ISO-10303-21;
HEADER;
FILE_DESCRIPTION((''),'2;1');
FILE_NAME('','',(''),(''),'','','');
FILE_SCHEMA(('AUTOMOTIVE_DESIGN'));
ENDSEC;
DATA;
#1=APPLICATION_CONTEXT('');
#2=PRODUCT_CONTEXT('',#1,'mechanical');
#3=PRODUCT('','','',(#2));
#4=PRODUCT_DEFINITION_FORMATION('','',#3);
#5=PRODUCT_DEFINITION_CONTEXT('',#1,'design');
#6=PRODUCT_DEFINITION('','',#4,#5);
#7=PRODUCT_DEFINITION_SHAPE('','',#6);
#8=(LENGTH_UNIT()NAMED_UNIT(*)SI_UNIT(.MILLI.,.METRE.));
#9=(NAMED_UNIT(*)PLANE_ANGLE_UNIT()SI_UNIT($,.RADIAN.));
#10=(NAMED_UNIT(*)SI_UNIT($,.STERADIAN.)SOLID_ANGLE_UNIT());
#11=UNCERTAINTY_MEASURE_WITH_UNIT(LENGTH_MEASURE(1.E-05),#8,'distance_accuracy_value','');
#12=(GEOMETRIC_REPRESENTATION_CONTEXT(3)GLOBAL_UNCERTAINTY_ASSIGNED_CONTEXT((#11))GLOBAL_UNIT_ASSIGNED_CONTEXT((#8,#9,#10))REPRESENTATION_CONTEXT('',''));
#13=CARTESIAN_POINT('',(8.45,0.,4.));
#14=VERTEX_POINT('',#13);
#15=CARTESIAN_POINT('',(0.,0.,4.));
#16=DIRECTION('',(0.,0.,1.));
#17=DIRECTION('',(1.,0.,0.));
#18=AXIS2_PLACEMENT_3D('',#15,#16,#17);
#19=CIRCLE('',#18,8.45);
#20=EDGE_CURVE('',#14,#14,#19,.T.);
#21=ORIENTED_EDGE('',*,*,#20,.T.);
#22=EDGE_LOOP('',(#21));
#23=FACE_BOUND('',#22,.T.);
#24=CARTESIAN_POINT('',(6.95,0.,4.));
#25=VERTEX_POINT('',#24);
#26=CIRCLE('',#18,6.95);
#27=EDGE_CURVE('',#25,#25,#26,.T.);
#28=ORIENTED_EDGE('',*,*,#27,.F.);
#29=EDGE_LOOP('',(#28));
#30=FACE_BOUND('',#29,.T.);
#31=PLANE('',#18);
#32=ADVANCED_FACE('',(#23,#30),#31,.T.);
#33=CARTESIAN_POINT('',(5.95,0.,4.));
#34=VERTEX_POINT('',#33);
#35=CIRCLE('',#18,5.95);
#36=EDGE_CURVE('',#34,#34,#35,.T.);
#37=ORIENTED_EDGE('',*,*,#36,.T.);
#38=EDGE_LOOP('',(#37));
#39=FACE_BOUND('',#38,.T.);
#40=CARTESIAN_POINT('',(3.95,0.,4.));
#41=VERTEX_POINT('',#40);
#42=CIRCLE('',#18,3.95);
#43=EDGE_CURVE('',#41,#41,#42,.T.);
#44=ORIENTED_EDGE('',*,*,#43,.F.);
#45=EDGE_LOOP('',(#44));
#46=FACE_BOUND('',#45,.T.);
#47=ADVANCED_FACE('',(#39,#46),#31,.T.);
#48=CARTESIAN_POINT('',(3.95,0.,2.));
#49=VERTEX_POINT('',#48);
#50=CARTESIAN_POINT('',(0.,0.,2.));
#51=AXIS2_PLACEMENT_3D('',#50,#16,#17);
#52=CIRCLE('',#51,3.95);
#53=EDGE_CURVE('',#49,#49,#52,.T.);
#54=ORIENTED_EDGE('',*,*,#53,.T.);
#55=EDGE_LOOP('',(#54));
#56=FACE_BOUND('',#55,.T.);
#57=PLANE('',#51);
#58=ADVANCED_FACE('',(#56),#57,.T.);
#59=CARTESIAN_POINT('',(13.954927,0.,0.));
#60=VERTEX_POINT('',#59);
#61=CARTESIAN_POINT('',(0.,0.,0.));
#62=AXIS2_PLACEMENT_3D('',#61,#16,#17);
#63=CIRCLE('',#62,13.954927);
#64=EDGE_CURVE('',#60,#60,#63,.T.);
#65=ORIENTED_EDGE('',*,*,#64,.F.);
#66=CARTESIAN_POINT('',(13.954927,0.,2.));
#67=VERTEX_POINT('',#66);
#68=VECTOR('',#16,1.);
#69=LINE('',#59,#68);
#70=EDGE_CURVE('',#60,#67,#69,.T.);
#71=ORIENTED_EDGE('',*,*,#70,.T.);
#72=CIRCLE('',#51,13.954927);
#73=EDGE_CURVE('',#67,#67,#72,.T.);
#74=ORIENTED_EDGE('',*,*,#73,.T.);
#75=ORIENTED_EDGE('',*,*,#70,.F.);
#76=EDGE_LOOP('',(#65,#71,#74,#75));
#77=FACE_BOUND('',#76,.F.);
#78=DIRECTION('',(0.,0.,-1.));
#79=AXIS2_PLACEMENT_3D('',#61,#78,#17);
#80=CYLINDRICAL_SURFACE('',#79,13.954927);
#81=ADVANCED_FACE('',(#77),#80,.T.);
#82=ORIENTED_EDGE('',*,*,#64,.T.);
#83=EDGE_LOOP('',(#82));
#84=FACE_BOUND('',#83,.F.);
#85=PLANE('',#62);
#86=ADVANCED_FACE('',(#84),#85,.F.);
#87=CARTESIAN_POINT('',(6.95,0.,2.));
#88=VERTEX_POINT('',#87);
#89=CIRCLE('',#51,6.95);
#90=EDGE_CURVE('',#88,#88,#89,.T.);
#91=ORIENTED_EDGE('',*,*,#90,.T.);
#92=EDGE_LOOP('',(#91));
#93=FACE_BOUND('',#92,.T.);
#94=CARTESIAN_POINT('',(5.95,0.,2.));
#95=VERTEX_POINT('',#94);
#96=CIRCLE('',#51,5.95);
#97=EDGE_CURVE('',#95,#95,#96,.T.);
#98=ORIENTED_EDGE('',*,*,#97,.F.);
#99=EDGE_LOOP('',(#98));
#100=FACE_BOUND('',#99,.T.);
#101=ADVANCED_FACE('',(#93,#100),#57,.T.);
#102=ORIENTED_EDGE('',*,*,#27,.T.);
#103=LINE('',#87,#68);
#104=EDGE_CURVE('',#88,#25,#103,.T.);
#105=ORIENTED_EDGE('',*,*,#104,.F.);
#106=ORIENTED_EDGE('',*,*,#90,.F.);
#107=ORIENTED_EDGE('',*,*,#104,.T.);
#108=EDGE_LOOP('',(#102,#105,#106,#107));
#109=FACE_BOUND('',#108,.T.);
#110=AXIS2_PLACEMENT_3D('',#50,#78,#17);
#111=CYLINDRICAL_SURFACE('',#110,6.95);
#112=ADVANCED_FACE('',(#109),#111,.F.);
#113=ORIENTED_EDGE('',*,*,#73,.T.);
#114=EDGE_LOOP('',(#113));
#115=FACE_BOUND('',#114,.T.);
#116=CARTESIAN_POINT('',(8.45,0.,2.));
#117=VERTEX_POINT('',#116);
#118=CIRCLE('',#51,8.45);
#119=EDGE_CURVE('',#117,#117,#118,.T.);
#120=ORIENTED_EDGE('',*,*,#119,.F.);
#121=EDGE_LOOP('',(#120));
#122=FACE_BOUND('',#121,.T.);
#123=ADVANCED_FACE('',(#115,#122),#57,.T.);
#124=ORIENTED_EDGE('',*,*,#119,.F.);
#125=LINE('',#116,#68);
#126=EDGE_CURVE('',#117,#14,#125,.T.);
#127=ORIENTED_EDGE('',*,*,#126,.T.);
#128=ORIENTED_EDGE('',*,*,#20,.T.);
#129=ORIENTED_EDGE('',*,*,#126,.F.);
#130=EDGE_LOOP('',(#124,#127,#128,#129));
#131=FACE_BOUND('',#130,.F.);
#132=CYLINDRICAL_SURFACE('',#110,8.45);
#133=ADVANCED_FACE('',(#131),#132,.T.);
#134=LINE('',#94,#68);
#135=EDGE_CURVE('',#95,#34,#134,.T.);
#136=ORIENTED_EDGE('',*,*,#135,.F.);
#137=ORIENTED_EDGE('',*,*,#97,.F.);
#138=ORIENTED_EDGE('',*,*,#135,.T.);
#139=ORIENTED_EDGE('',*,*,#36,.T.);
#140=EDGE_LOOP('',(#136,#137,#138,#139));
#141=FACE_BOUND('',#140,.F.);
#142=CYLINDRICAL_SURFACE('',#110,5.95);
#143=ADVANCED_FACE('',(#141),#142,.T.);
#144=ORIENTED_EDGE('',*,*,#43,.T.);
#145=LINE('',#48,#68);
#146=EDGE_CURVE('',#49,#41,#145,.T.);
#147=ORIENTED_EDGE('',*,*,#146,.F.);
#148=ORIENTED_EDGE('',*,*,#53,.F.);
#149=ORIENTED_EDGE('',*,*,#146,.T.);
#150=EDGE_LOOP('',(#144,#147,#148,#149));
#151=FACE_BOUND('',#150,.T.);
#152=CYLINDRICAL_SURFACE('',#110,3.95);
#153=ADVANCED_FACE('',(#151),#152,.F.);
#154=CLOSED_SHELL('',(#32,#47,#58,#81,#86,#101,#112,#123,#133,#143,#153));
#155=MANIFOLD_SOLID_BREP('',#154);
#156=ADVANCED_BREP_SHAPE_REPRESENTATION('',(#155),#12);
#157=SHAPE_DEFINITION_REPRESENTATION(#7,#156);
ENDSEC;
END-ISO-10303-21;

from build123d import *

# Parameters (mm, degrees)
F0_R     = 13.954927
F1_DEPTH = 2
F2_R     = 5.95
F2_R_2   = 3.95
F3_DEPTH = 2
F2_R_3   = 8.45
F2_R_4   = 6.95
F4_DEPTH = 2


with BuildPart() as f1:
    # F0 (on Top) → F1 (new body)
    with BuildSketch(Plane.XY):
        Circle(F0_R)
    extrude(amount=F1_DEPTH)

    # F2 (on face) → F3 (join)
    with BuildSketch(Plane.XY.offset(2)):
        Circle(F2_R)
        Circle(F2_R_2, mode=Mode.SUBTRACT)
    extrude(amount=F3_DEPTH)

    # F2 (on face) → F4 (join)
    with BuildSketch(Plane.XY.offset(2)):
        Circle(F2_R_3)
        Circle(F2_R_4, mode=Mode.SUBTRACT)
    extrude(amount=F4_DEPTH)


solid = f1.part
